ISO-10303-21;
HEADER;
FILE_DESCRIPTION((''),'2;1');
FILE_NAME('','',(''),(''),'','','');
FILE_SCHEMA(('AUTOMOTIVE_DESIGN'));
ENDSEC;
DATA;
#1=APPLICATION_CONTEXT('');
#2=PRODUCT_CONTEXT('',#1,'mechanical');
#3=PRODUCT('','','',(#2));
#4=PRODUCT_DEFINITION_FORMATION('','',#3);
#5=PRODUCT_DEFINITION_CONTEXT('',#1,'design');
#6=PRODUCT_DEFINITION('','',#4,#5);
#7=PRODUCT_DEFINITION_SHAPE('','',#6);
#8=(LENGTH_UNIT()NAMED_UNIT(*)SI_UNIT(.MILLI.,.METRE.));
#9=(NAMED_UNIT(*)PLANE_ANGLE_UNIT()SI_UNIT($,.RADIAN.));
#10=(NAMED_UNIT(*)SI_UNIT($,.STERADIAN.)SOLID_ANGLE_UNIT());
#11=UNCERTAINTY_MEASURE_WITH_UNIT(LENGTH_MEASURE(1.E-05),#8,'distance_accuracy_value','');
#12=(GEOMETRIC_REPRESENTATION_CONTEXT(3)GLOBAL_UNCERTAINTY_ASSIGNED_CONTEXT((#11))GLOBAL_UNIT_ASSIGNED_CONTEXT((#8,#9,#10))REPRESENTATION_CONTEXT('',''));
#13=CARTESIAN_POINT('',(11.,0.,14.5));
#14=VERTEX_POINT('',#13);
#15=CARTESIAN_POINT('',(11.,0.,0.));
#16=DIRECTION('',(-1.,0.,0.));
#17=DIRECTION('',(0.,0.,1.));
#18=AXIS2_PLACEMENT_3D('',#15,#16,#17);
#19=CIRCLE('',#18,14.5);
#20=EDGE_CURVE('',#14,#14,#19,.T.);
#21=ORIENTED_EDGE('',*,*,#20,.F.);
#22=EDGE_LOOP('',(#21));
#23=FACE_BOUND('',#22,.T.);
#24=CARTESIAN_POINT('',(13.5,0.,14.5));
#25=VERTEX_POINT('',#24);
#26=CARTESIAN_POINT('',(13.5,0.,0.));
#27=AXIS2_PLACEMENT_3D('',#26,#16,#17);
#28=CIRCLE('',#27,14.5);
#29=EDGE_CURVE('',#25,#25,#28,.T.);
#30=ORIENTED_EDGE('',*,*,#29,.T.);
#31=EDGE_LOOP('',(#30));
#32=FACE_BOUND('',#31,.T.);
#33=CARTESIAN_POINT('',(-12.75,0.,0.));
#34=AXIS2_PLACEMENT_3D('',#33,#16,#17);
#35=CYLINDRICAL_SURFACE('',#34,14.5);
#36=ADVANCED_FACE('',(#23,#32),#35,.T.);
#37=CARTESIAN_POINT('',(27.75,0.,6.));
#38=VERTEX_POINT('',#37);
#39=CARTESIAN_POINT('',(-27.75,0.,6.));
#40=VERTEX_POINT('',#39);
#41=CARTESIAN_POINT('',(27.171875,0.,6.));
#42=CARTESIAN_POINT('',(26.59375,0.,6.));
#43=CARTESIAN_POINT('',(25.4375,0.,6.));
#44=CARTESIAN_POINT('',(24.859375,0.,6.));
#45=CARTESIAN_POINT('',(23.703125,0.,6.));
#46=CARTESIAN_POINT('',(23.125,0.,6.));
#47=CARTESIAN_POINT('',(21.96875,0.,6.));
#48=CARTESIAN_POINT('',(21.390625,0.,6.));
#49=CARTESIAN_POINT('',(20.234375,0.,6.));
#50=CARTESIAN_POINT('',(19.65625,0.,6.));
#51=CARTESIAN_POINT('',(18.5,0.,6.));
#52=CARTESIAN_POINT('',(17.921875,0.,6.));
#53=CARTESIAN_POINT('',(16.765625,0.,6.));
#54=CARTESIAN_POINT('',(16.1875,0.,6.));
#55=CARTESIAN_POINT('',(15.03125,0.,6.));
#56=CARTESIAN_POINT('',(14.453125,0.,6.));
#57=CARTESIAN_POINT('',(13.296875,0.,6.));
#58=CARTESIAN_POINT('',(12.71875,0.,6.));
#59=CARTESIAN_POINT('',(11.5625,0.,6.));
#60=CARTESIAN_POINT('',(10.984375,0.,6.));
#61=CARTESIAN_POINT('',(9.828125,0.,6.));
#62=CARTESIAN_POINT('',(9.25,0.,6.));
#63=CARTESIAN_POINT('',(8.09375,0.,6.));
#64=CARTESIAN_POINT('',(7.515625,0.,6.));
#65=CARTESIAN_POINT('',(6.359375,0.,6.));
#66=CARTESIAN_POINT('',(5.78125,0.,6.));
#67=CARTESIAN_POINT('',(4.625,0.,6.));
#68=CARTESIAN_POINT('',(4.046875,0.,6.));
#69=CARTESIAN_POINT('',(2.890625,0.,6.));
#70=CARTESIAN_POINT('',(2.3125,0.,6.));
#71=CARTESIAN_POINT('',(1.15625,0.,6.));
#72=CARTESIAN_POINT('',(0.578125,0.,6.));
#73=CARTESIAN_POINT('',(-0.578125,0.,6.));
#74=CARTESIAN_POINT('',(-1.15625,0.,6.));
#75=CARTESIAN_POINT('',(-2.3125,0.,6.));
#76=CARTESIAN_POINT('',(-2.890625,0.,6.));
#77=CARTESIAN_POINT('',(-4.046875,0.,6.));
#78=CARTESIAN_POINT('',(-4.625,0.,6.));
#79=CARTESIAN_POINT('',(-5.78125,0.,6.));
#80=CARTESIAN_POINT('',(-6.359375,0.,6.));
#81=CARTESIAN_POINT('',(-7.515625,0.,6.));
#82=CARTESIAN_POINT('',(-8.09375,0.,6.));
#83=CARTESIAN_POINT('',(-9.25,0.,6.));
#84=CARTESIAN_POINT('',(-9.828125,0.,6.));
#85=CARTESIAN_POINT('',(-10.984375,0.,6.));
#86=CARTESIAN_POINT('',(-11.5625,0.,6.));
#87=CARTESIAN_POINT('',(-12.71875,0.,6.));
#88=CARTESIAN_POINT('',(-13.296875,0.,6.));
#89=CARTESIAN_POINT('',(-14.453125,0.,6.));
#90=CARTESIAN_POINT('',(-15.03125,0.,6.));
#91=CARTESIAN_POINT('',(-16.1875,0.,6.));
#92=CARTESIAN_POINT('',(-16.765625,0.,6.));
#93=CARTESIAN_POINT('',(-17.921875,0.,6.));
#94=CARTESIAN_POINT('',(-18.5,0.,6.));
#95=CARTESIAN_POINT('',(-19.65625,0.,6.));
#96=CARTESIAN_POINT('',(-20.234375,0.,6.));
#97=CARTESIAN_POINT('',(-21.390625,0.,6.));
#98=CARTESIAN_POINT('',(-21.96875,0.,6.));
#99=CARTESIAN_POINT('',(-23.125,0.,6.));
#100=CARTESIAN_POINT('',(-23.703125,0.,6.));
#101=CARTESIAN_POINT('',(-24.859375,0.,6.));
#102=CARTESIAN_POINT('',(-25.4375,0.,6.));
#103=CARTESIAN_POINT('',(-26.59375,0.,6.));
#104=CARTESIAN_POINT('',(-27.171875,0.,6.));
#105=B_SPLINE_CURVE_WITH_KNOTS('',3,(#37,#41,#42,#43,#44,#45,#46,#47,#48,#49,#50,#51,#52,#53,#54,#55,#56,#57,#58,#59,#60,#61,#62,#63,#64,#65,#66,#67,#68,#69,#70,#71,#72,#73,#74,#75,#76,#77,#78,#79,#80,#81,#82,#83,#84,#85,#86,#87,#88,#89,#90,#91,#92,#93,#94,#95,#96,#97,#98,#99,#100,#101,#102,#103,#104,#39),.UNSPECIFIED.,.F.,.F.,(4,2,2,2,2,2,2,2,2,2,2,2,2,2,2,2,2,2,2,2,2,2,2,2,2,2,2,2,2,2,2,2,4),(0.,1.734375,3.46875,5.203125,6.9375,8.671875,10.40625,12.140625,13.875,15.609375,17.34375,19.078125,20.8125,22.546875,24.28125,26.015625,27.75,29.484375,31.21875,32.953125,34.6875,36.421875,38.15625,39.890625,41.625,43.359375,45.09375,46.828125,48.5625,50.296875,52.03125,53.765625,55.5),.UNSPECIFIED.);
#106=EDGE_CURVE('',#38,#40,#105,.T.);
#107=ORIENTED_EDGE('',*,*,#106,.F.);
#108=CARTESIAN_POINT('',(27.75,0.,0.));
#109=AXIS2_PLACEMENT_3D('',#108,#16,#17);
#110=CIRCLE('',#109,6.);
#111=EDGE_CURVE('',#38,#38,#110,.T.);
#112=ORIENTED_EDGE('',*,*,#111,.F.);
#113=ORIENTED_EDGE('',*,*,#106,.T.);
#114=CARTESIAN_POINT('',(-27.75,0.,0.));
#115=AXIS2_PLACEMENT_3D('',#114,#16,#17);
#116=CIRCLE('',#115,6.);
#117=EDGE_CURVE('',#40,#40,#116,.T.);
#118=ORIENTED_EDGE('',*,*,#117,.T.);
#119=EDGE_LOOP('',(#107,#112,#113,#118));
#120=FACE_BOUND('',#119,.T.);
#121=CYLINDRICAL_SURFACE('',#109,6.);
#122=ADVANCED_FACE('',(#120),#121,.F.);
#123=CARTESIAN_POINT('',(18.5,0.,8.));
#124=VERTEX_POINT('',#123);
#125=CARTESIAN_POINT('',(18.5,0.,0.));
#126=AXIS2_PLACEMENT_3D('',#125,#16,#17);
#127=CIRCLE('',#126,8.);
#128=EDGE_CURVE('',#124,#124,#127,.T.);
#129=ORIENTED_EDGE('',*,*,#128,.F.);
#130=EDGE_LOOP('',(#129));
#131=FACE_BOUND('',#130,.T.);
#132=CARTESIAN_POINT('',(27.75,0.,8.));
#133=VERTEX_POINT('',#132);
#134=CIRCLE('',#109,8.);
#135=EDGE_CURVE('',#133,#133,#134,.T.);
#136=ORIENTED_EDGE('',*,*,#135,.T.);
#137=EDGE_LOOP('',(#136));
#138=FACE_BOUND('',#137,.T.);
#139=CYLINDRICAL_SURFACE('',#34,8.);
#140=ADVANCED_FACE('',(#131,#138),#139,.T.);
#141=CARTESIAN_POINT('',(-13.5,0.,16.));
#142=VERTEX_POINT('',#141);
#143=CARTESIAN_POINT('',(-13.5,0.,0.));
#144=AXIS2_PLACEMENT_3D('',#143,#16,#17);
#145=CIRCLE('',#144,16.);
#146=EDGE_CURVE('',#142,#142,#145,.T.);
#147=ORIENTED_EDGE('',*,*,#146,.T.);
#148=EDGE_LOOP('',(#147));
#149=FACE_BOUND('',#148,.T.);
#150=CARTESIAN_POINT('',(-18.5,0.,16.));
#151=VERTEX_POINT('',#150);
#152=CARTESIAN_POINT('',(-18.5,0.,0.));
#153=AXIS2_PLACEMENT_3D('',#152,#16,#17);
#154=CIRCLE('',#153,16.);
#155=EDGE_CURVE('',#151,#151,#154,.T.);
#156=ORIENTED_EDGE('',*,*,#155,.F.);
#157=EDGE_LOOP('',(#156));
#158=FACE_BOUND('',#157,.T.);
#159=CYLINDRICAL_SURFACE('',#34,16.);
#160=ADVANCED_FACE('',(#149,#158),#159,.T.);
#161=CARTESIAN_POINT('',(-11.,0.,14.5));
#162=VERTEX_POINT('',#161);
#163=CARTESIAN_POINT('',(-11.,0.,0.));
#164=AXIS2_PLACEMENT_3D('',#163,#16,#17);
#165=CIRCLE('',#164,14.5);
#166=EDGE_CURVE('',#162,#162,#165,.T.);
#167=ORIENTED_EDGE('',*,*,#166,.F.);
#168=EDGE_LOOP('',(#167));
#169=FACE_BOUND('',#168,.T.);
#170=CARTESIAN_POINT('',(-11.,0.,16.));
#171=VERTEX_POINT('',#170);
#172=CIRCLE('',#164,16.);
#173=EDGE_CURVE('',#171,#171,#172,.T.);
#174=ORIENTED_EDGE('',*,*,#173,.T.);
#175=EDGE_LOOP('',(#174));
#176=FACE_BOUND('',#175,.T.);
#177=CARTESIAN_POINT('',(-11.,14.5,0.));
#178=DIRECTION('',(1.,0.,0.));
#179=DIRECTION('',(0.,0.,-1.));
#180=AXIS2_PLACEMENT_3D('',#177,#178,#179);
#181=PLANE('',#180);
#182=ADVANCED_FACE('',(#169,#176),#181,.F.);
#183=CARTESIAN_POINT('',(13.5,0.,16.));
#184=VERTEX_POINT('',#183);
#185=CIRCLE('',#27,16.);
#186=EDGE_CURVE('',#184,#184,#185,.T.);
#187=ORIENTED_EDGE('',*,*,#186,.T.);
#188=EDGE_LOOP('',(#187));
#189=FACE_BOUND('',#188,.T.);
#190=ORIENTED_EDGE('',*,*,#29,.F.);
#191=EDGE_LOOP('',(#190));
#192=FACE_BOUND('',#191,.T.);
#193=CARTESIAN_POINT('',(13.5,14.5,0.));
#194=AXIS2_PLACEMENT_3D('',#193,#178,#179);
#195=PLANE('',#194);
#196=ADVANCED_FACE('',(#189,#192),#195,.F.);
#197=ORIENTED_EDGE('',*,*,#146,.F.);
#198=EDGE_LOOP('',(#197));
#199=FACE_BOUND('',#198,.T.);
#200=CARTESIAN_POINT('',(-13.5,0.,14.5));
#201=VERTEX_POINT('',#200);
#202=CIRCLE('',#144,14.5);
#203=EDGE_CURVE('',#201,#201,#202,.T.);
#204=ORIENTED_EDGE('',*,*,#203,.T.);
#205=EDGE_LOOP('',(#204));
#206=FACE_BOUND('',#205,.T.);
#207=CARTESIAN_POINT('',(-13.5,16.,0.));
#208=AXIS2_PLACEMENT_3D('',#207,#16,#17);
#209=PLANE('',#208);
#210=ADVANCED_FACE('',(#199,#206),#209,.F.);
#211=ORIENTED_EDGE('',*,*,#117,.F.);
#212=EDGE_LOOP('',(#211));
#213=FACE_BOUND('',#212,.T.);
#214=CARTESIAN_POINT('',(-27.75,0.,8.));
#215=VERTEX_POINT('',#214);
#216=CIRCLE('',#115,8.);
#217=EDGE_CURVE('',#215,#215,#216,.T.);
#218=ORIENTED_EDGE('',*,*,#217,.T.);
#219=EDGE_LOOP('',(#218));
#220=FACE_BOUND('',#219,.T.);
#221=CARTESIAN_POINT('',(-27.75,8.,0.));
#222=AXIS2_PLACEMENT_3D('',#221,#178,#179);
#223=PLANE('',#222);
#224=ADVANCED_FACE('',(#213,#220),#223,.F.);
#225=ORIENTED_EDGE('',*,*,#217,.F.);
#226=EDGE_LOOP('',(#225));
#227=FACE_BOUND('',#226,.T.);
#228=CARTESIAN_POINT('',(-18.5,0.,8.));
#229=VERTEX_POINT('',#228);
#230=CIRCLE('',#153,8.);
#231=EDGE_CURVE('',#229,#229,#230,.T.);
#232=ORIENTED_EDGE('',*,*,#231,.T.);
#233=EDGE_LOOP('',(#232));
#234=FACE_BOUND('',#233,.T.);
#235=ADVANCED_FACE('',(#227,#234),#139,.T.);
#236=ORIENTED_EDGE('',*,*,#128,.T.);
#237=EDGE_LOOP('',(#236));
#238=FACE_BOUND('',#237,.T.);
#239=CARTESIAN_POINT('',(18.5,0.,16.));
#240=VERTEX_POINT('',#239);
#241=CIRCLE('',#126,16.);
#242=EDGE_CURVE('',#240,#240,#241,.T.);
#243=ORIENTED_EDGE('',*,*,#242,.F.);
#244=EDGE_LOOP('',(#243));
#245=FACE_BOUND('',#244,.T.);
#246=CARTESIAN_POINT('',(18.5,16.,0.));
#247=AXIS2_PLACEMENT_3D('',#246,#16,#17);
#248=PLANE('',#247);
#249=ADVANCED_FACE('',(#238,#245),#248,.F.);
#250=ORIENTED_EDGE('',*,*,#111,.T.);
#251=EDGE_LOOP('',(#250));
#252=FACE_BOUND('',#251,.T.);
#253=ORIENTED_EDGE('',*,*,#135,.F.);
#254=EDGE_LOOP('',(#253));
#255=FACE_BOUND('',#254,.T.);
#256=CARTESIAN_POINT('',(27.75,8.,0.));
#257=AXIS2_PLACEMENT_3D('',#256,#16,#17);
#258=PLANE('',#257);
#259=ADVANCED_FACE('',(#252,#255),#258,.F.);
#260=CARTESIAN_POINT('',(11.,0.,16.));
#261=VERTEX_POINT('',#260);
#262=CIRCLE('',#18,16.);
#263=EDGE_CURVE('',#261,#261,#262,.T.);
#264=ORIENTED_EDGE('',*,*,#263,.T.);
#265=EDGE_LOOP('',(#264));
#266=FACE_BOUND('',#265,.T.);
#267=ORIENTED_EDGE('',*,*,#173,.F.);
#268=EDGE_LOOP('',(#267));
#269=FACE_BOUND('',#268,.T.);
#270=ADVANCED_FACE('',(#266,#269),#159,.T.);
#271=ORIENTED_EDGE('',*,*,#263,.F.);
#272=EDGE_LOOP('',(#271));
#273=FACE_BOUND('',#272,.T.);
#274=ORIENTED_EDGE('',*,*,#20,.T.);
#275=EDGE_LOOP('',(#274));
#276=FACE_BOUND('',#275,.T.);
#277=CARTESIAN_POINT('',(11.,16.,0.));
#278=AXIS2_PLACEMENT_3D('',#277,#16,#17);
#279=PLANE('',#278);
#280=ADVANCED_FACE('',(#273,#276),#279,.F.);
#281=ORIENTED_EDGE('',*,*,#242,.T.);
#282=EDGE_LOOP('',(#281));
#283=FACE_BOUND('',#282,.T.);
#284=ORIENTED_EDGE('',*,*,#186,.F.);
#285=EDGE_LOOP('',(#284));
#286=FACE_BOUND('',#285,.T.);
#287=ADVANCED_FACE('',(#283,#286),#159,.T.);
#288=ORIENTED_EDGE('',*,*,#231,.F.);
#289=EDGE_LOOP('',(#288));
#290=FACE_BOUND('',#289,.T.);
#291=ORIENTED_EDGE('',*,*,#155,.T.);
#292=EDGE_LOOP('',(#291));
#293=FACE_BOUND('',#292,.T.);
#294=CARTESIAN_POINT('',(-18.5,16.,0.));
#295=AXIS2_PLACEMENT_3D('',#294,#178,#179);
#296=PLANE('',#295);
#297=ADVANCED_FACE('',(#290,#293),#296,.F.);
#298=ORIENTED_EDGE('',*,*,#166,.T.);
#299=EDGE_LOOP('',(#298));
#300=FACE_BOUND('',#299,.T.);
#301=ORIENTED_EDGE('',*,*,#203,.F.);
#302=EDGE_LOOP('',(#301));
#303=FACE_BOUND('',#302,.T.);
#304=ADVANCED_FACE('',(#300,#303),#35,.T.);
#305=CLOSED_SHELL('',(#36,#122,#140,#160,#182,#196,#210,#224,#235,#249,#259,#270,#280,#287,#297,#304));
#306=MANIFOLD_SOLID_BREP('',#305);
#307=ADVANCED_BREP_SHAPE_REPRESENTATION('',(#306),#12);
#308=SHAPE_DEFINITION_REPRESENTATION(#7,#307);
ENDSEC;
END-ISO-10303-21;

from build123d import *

# Parameters (mm, degrees)
CROQUIS3_R            = 6
CORTAR_EXTRUIR1_DEPTH = 60.935381871


with BuildPart() as part:
    # Croquis2 → Revolución1 (revolve)
    with BuildSketch(Plane.XY, mode=Mode.PRIVATE) as revoluci_n1_sk:
        Polygon((0, 0), (18.5, 0), (27.75, 0), (27.75, 8), (18.5, 8), (18.5, 16), (13.5, 16), (13.5, 14.5), (11, 14.5), (11, 16), (-11, 16), (-11, 14.5), (-13.5, 14.5), (-13.5, 16), (-18.5, 16), (-18.5, 8), (-27.75, 8), (-27.75, 0), (-12.75, 0), align=None)
    revolve(revoluci_n1_sk.sketch.rotate(Axis((-12.75, 0, 0), (1, 0, 0)), 90), axis=Axis((-12.75, 0, 0), (1, 0, 0)))

    # Croquis3 → Cortar-Extruir1 (cut, through all)
    with BuildSketch(Plane.ZY.offset(27.75)):
        Circle(CROQUIS3_R)
    extrude(amount=-CORTAR_EXTRUIR1_DEPTH, mode=Mode.SUBTRACT)


solid = part.part
